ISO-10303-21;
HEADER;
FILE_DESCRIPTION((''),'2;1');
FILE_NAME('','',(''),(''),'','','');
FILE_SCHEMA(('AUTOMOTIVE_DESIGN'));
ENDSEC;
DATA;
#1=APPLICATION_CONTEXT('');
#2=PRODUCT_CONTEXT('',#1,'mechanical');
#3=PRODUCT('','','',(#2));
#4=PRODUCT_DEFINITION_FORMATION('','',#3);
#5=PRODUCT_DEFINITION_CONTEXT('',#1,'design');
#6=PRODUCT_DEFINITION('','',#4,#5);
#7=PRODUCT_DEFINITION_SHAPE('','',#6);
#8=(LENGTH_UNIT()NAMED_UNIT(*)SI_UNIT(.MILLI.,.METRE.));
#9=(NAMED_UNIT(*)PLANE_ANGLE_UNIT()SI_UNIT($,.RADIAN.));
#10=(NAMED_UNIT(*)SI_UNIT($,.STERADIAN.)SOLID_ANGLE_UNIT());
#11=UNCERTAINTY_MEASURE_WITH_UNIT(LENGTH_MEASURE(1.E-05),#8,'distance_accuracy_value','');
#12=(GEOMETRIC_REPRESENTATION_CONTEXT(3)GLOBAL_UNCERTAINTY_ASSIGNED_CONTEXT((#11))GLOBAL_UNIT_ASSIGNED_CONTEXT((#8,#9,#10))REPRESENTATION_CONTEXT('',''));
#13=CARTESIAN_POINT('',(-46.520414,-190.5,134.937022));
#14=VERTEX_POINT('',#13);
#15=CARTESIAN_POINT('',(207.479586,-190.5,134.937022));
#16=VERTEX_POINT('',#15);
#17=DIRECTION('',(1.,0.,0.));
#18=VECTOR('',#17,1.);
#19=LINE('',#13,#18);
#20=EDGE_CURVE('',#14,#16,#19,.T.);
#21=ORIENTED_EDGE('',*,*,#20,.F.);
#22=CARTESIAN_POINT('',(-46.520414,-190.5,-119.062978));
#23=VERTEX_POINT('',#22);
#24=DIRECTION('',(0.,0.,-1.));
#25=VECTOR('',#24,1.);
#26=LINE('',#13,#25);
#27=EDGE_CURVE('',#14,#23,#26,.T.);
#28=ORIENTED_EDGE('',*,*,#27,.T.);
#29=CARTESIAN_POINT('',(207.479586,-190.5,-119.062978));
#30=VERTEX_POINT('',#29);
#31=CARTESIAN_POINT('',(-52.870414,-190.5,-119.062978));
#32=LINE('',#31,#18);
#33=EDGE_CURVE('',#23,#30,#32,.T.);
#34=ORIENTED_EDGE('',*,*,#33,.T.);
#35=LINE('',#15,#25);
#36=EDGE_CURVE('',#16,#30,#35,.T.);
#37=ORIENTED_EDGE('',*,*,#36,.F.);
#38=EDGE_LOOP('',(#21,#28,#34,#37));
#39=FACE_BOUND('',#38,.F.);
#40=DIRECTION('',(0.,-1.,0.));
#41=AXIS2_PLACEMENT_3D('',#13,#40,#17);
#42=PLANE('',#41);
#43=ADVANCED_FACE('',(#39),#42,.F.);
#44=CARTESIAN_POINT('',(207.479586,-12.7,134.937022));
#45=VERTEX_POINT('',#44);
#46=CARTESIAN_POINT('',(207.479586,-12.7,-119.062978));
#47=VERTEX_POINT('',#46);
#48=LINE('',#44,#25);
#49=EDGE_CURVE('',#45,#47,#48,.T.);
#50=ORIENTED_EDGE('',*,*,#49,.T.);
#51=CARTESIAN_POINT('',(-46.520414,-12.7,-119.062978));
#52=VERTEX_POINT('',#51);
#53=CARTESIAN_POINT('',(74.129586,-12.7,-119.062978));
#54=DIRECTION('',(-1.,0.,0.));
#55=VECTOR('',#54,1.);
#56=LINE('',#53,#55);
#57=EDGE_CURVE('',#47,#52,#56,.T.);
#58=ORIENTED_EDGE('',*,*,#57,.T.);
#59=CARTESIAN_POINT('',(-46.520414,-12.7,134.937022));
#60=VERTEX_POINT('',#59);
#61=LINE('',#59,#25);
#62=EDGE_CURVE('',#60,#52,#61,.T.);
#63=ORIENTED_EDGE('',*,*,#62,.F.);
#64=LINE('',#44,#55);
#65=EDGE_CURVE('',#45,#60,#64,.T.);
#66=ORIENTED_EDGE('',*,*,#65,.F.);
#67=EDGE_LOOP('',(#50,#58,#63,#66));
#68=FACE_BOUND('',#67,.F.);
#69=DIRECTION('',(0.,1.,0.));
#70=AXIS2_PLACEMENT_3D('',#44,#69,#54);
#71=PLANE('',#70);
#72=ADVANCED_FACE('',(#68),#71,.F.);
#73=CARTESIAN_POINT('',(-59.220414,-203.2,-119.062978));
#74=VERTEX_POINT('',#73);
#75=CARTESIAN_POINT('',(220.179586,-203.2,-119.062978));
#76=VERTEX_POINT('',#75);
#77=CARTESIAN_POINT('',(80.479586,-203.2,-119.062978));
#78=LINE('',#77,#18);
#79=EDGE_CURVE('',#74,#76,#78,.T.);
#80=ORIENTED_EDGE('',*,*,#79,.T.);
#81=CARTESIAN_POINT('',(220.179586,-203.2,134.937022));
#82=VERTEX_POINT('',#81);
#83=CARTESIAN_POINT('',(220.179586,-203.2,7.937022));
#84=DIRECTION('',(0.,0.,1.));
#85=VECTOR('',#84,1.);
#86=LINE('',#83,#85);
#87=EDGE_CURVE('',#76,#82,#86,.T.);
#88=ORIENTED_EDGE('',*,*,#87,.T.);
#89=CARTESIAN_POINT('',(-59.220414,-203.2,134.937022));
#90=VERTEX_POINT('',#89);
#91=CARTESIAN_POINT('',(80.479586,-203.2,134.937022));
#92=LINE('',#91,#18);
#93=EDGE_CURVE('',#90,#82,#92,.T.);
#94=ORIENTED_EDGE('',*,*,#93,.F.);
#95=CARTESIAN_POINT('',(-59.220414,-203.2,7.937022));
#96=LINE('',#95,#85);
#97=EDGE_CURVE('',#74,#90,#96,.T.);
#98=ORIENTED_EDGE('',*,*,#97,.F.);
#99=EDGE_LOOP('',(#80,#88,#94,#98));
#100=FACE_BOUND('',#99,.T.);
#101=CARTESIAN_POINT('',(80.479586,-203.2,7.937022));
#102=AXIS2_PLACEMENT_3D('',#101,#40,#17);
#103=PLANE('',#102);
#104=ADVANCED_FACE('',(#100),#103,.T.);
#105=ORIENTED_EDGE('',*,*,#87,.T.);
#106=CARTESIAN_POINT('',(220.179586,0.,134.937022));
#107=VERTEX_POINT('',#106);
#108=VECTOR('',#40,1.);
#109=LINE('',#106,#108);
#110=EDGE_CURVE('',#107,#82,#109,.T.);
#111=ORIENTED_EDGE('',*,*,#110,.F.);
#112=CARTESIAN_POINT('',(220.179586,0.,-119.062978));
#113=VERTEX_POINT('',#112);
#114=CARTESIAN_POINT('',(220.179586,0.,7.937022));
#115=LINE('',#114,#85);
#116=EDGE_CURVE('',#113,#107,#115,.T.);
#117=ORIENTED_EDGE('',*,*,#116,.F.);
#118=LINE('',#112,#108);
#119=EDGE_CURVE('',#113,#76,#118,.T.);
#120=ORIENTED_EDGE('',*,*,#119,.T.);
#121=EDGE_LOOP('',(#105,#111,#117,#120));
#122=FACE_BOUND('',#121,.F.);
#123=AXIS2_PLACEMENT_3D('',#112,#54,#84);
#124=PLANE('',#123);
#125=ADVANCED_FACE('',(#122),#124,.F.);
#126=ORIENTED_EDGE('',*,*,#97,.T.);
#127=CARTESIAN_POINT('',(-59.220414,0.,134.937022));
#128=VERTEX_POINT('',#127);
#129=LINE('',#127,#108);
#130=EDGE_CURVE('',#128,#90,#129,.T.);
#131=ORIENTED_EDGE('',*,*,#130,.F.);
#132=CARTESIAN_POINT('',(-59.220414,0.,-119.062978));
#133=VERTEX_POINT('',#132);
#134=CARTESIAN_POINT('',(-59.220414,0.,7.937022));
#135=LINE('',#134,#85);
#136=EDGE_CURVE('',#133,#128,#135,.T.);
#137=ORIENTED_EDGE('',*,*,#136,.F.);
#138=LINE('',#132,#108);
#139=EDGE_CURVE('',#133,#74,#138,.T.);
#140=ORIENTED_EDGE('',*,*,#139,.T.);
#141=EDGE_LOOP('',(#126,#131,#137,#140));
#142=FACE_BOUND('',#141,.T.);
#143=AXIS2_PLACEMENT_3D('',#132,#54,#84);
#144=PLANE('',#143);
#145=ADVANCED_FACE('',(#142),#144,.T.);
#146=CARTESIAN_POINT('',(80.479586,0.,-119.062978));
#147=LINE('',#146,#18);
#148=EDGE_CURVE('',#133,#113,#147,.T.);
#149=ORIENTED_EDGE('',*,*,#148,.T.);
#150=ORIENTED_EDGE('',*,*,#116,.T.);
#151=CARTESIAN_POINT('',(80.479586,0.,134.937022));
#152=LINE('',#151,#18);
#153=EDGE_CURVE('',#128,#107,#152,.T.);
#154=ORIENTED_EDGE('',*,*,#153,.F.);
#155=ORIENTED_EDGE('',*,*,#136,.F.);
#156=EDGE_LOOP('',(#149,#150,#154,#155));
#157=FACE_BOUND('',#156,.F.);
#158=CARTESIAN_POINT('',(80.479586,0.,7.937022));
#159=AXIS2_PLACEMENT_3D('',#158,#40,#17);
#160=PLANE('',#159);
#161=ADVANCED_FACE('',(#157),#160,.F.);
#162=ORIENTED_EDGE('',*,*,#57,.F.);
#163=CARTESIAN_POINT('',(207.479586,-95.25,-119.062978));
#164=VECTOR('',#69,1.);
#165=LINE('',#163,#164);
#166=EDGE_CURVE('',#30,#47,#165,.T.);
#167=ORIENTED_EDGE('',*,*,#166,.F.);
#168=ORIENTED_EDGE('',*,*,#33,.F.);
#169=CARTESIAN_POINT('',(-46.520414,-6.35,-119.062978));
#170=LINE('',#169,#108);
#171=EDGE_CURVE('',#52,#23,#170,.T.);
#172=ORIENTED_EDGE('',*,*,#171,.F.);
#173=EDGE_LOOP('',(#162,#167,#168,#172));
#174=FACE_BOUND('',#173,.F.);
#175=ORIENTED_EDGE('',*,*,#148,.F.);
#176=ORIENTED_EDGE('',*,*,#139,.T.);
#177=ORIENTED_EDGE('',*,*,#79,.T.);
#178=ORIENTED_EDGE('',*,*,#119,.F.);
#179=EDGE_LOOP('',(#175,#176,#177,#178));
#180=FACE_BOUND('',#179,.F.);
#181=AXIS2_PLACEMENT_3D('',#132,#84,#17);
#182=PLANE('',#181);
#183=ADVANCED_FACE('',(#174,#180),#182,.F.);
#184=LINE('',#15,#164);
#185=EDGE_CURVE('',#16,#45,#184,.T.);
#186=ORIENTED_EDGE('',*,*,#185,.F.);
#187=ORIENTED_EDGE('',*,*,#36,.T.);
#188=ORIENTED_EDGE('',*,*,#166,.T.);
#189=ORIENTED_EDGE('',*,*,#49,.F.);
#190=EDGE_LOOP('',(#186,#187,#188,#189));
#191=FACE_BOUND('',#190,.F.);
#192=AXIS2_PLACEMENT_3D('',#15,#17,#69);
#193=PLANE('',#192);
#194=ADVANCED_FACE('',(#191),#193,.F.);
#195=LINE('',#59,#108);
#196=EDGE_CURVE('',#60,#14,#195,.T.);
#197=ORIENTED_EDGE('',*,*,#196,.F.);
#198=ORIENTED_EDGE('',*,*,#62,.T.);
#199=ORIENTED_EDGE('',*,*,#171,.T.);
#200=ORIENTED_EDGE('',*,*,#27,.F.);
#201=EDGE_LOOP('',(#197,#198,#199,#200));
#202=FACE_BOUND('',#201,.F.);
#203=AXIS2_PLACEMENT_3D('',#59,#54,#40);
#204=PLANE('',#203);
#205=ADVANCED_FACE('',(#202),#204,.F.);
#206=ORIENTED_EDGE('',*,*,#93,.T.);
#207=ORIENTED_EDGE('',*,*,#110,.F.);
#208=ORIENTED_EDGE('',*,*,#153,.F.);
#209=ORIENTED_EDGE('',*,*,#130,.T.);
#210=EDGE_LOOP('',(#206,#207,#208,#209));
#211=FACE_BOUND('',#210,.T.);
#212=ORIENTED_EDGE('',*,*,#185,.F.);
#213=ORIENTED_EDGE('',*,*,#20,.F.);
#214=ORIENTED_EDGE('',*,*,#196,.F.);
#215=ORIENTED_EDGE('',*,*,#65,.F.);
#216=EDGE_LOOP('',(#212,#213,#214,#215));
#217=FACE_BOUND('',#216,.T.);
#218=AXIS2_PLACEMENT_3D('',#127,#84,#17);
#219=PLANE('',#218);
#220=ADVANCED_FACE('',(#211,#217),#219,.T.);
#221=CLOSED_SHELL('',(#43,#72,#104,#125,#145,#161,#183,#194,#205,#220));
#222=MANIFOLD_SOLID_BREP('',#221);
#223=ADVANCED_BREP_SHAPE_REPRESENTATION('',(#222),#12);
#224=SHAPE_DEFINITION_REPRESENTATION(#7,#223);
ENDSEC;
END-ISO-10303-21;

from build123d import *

# Parameters (mm, degrees)
F0_W     = 279.4
F0_H     = 254
F1_DEPTH = 203.2
F3_DEPTH = 279.4


with BuildPart() as f1:
    # F0 (on Front) → F1 (new body)
    with BuildSketch(Plane.XZ):
        with Locations((80.479586, 7.937022)):
            Rectangle(F0_W, F0_H)
    extrude(amount=F1_DEPTH)

    # F2 (on face) → F3 (cut)
    with BuildSketch(Plane.XY.offset(134.937022)):
        Polygon((207.479586, -12.7), (80.479586, -12.7), (-46.520414, -12.7), (-46.520414, -101.6), (-46.520414, -190.5), (80.479586, -190.5), (207.479586, -190.5), (207.479586, -101.6), align=None)
    extrude(amount=-F3_DEPTH, mode=Mode.SUBTRACT)


solid = f1.part
